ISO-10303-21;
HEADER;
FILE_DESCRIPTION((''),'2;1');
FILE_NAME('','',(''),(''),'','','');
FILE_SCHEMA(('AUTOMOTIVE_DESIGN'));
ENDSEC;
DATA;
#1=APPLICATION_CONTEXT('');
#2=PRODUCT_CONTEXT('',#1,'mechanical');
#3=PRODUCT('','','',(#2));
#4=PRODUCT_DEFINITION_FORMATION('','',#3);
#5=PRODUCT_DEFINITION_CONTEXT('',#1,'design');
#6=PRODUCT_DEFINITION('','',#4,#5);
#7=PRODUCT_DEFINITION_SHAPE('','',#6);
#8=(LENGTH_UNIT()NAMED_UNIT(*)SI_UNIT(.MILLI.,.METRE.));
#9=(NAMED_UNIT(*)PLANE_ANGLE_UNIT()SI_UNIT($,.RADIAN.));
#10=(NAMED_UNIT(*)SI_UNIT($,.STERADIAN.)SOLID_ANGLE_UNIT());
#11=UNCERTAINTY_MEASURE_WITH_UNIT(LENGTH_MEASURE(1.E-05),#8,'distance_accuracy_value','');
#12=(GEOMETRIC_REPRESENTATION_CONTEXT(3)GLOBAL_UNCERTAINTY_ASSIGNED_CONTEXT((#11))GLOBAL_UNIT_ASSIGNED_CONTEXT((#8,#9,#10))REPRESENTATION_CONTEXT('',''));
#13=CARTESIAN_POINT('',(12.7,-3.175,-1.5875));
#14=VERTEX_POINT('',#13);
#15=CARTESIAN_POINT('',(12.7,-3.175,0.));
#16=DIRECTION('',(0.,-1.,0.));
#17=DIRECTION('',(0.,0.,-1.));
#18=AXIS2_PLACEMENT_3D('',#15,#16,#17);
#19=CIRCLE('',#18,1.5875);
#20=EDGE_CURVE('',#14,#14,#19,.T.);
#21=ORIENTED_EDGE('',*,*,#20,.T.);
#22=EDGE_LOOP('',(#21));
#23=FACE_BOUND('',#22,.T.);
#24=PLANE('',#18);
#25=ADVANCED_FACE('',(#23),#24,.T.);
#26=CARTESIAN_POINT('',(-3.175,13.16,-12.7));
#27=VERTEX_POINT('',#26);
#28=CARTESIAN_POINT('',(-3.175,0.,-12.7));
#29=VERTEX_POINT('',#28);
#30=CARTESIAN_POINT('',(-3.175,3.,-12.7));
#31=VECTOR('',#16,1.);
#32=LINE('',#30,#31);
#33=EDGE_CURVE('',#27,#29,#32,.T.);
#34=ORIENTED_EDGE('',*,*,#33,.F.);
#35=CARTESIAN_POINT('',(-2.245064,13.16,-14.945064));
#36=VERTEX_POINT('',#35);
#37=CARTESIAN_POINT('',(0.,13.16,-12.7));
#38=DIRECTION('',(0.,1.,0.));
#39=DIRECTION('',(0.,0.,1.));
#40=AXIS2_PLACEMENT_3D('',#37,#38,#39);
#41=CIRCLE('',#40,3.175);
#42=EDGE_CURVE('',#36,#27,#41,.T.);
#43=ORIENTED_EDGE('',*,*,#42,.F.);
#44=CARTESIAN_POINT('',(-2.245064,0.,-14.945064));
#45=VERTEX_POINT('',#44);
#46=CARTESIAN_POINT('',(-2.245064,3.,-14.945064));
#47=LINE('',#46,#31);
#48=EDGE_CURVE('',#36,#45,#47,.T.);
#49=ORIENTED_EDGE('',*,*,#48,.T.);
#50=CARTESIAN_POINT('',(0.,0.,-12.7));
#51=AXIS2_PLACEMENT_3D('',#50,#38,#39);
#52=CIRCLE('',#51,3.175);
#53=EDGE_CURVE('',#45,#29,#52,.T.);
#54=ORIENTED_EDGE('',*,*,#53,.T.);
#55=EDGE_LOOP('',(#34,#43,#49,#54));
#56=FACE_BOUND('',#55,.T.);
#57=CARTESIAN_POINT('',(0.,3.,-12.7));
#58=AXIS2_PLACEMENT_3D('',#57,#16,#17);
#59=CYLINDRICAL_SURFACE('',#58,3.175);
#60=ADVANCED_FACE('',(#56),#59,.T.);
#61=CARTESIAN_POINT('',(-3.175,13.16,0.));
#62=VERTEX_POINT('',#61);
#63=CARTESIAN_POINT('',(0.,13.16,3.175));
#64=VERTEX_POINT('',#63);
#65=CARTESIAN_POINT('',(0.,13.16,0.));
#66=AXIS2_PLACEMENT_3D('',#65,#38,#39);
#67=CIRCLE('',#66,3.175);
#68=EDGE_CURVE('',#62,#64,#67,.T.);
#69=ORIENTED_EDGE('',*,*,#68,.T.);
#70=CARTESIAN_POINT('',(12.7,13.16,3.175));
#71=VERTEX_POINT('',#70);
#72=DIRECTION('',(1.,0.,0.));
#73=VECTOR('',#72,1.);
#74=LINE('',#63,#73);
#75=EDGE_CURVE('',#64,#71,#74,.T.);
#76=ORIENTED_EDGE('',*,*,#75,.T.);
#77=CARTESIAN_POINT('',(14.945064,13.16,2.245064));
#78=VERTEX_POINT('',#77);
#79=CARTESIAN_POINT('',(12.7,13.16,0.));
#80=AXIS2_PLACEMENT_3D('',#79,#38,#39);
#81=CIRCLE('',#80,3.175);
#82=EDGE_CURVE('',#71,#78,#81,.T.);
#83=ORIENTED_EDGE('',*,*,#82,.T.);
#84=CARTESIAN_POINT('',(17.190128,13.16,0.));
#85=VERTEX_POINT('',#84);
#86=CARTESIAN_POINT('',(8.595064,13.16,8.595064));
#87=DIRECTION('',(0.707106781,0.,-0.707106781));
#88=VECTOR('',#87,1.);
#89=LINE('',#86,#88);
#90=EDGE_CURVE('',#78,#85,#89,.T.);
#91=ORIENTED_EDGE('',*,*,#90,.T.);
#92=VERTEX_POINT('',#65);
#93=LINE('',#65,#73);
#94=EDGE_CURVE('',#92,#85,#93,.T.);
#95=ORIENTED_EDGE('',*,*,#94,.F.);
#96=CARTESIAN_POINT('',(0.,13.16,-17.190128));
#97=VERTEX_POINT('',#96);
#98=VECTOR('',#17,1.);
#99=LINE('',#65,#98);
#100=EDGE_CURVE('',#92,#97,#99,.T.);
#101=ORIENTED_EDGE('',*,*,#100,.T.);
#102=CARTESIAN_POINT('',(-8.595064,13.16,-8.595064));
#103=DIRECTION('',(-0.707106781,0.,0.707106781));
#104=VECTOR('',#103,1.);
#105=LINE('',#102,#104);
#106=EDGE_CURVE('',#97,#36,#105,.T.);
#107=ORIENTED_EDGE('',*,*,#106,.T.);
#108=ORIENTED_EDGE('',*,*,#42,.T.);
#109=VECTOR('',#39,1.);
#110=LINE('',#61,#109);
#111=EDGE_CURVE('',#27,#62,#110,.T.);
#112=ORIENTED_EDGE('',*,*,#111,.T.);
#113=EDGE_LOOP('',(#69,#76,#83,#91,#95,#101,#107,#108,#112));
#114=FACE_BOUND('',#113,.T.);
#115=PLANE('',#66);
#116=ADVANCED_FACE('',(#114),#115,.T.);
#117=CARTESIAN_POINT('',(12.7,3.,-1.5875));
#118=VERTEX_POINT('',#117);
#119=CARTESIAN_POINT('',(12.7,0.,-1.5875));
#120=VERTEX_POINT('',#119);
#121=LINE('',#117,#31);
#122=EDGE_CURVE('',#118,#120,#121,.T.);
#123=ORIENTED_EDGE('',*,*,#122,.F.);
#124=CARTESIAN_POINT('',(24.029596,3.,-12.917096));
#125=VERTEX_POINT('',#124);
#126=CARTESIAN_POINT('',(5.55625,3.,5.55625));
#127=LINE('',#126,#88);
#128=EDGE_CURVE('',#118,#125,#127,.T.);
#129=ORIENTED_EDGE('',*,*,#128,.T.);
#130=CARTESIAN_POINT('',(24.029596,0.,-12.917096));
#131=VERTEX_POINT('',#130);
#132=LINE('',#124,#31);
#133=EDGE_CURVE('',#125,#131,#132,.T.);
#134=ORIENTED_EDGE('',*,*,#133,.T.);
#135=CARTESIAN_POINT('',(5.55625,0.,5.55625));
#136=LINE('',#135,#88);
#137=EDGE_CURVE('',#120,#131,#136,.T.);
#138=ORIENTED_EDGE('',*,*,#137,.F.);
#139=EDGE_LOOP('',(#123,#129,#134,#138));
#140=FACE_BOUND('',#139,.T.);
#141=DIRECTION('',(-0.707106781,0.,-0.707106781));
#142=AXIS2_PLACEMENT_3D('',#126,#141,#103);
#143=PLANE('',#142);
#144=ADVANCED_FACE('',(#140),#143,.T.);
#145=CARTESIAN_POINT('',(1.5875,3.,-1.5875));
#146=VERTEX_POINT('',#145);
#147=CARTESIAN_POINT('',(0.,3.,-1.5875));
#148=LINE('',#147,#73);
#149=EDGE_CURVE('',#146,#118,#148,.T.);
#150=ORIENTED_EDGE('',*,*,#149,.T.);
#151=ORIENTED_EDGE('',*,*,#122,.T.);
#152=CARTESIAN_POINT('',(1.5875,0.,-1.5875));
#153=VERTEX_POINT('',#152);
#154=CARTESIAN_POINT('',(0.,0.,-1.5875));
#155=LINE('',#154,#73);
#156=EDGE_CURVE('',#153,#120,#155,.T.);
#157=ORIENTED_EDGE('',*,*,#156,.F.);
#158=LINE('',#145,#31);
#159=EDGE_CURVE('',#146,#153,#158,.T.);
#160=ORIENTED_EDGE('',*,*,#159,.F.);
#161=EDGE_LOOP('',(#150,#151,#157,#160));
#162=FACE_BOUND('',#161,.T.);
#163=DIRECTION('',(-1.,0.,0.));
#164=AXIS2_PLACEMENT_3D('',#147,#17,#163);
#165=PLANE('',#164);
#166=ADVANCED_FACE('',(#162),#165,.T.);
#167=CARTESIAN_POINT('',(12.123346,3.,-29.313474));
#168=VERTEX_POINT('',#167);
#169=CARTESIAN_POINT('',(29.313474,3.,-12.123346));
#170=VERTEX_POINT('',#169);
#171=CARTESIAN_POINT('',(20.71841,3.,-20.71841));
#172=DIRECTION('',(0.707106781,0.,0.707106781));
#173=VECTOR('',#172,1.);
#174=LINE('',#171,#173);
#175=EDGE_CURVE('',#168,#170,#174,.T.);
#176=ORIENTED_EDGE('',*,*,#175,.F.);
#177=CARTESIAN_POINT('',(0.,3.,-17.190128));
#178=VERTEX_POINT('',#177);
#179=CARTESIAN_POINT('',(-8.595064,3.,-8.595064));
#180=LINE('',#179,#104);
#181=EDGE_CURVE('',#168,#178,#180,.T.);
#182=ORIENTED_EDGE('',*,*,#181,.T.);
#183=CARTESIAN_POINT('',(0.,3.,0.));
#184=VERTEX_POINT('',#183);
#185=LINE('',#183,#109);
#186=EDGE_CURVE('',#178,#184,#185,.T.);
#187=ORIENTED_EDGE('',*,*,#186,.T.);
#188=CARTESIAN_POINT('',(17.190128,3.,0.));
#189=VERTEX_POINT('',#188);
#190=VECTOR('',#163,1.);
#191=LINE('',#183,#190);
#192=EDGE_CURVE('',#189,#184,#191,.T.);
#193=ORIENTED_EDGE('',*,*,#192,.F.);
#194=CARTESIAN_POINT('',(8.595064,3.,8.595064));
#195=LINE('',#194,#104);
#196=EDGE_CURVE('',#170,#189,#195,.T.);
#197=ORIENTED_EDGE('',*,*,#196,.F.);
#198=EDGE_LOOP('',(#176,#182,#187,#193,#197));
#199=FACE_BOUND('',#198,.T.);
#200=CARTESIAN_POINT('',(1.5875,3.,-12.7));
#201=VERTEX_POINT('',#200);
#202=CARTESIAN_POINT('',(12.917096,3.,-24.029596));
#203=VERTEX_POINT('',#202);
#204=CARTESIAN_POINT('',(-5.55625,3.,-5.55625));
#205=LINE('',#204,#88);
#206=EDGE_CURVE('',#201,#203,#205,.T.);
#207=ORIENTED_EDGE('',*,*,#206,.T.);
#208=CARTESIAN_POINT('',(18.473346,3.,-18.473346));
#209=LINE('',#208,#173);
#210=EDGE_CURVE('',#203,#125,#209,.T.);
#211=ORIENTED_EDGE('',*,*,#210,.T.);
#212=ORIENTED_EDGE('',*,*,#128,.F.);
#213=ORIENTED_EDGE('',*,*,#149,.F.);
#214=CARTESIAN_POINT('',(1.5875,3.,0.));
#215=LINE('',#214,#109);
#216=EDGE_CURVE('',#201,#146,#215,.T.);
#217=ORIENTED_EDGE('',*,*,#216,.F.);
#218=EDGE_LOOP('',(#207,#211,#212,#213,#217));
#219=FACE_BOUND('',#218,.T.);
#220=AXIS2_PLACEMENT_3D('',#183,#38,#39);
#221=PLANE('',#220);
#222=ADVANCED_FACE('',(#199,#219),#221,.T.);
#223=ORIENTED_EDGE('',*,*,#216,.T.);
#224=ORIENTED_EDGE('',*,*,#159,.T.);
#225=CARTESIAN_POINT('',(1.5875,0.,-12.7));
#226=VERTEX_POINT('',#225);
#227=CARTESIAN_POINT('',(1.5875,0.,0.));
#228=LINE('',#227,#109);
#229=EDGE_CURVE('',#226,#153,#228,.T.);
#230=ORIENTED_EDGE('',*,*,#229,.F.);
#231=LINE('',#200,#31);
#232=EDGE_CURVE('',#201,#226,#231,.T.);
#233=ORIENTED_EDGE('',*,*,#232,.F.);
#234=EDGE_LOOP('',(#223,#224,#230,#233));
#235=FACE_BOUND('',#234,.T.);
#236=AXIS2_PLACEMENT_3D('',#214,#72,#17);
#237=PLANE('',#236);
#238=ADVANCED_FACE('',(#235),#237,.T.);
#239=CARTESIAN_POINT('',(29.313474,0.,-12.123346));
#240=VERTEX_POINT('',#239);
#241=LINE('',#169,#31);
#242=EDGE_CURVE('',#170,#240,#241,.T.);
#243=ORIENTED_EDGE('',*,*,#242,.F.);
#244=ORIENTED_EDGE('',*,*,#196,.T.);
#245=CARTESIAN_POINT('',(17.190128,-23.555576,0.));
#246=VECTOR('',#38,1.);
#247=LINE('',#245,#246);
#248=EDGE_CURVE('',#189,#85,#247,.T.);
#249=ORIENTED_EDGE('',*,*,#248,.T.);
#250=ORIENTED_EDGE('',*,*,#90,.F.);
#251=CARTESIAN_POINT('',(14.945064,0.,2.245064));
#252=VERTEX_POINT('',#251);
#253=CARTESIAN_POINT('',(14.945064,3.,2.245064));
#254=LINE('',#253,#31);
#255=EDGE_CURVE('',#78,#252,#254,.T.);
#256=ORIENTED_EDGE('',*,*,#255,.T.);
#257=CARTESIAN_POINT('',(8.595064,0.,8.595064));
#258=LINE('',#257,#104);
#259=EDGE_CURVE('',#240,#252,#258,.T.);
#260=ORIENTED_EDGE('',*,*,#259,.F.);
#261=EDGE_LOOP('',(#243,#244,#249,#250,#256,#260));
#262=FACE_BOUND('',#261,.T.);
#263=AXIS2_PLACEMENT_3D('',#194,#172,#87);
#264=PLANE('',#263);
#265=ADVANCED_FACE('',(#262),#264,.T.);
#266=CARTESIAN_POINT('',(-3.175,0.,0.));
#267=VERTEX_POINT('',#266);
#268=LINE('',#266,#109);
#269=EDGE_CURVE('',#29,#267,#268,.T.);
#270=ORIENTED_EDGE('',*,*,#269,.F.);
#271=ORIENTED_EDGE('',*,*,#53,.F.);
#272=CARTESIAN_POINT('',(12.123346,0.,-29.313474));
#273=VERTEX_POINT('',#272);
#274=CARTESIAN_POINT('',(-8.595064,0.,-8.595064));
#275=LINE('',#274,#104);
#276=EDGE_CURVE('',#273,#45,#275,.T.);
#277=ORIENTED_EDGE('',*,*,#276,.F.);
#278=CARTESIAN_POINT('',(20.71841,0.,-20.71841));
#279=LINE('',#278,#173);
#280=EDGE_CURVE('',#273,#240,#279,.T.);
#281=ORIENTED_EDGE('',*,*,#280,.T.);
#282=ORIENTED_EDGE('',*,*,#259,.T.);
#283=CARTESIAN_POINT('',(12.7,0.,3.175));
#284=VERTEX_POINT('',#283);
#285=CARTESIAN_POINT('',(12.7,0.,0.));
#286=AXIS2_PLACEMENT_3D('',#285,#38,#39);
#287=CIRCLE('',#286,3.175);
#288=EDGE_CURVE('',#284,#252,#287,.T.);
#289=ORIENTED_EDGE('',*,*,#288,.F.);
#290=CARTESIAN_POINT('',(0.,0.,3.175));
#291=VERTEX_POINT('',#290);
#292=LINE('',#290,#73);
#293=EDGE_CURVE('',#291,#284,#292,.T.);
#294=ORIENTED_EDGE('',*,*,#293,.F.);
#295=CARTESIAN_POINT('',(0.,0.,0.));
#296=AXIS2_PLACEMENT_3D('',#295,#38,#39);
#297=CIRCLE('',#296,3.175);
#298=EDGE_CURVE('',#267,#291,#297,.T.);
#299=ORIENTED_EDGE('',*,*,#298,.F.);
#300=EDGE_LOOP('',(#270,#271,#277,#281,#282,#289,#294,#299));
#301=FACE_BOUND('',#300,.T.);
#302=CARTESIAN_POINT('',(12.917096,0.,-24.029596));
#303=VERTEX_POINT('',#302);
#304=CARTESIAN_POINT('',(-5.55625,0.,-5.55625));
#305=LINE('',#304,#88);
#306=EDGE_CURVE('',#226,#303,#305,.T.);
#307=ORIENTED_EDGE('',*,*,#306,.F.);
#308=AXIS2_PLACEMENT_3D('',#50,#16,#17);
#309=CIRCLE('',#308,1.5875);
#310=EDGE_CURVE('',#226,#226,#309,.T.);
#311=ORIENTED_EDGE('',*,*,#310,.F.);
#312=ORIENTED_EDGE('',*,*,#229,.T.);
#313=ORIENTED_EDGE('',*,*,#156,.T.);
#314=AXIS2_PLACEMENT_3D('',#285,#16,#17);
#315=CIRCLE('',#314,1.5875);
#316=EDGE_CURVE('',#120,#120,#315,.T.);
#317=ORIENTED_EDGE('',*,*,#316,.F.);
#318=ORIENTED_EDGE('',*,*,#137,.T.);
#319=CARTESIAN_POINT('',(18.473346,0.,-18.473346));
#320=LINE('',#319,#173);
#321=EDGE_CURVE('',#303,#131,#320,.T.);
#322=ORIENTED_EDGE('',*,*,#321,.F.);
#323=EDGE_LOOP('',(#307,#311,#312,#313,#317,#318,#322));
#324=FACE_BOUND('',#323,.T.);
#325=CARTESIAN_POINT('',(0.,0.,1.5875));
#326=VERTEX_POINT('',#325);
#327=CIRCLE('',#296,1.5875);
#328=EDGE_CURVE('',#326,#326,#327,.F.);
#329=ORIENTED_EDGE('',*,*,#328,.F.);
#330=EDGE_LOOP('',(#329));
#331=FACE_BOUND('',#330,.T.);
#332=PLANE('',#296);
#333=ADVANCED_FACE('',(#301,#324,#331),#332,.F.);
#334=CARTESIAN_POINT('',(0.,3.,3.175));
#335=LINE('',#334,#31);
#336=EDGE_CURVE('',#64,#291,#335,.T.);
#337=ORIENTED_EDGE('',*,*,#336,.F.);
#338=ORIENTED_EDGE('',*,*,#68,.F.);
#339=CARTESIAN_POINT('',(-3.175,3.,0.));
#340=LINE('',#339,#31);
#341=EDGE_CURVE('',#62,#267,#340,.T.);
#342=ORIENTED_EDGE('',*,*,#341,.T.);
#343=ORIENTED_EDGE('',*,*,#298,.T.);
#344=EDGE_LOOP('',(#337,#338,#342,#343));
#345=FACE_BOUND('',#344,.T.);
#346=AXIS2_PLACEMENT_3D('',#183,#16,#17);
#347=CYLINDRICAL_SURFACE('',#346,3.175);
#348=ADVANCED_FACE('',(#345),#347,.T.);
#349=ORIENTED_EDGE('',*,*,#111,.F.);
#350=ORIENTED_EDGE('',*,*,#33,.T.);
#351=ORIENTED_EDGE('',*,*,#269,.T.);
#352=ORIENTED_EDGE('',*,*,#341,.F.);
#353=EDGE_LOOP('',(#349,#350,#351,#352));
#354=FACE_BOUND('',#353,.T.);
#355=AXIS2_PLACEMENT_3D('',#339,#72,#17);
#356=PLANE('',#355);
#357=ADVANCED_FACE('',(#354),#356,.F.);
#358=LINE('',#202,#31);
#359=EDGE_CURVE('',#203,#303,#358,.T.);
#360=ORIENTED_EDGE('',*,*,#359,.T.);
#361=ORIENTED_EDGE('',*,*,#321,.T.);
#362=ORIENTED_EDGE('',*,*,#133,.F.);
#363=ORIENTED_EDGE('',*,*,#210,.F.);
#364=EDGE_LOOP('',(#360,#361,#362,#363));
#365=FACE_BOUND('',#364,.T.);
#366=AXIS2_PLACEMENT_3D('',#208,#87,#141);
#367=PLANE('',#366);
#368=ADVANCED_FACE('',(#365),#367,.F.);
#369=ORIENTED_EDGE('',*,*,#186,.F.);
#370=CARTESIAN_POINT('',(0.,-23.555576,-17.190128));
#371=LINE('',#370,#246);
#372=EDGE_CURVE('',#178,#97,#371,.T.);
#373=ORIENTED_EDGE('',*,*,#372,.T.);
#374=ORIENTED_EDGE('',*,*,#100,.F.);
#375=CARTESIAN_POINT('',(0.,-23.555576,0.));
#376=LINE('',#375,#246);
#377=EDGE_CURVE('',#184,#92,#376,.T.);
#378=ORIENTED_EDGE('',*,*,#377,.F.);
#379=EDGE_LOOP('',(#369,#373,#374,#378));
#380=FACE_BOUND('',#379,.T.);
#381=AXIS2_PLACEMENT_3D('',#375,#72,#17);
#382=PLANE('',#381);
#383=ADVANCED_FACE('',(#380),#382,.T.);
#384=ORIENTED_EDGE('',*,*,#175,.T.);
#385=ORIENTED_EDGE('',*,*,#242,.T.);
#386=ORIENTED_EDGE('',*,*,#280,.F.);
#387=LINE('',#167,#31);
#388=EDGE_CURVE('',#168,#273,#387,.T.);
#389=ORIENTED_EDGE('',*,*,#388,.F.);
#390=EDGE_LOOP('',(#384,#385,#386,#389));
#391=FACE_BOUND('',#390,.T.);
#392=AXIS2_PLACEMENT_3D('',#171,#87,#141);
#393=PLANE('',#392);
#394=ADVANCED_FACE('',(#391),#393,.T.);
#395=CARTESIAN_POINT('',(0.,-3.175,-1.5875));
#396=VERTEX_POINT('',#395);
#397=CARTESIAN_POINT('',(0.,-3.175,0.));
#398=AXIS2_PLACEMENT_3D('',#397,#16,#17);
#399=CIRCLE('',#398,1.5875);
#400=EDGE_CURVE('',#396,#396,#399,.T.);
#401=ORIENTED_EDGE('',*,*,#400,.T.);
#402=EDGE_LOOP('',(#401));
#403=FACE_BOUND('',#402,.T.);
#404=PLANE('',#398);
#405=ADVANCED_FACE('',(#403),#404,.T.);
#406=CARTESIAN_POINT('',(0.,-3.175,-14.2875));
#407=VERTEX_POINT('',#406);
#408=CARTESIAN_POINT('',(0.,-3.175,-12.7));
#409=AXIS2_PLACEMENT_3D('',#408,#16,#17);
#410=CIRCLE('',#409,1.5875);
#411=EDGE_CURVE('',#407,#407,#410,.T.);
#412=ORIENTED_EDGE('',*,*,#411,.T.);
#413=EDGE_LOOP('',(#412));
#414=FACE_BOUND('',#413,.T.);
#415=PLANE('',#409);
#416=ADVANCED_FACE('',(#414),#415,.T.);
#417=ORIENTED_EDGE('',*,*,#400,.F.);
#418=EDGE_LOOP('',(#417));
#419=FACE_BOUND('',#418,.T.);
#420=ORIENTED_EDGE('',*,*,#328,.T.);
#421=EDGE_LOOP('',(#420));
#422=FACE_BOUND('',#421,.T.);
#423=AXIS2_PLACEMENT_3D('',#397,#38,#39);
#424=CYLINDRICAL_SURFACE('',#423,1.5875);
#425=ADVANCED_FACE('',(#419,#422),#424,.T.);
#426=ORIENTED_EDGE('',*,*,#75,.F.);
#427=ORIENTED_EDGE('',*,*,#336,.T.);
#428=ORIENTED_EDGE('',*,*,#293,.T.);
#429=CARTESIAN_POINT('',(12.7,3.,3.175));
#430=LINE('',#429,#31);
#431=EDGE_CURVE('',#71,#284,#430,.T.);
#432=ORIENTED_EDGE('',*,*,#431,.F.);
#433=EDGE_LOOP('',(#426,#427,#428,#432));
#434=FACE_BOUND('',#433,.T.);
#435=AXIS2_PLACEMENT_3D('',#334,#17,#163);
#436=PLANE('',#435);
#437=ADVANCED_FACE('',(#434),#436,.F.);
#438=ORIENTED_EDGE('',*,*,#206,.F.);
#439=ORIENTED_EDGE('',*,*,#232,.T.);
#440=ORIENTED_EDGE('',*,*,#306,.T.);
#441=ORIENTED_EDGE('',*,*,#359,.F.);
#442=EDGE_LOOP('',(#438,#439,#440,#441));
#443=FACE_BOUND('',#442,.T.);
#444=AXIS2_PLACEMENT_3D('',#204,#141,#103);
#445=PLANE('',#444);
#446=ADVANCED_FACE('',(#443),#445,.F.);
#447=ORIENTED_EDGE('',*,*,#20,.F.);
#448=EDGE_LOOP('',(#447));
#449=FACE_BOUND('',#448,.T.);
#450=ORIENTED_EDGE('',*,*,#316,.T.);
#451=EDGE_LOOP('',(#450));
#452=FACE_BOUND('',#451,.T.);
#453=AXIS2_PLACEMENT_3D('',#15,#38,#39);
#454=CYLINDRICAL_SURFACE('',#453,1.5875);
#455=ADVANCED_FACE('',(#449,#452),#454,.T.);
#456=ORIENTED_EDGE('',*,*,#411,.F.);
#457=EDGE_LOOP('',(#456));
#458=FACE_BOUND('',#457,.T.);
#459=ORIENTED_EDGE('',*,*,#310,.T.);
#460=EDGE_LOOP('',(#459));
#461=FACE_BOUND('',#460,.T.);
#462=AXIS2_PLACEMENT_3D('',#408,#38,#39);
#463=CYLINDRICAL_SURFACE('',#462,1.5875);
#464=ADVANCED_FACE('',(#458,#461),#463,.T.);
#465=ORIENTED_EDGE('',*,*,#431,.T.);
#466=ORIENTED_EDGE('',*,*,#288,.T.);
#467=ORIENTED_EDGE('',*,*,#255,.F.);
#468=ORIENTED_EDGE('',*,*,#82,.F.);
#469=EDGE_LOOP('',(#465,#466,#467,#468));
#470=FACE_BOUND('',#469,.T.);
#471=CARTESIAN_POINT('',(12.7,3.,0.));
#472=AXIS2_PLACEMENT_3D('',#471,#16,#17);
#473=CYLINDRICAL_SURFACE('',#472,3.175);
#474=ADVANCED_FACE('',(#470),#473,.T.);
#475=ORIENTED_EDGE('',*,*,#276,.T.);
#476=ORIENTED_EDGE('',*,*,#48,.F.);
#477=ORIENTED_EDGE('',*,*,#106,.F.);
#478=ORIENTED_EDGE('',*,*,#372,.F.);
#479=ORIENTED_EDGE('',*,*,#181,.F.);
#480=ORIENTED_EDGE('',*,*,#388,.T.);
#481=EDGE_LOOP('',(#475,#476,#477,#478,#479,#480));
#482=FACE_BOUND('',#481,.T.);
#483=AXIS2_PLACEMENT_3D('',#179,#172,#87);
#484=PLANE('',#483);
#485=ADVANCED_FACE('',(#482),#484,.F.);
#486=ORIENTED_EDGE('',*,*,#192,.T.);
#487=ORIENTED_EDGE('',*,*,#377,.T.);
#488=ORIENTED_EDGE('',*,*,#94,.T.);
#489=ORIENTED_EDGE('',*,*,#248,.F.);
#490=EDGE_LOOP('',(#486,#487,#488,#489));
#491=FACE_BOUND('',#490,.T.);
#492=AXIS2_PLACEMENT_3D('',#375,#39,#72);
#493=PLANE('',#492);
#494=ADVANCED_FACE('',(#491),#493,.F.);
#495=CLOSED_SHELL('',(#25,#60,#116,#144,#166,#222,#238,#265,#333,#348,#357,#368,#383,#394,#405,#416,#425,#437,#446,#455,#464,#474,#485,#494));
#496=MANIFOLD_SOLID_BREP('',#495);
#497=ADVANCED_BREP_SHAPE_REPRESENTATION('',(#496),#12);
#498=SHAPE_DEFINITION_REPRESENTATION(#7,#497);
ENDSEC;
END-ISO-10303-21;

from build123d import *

# Parameters (mm, degrees)
BOSS_EXTRUDE1_DEPTH = 3
SKETCH5_R           = 1.5875
BOSS_EXTRUDE4_DEPTH = 3.175
BOSS_EXTRUDE5_DEPTH = 10.16
CUT_EXTRUDE1_DEPTH  = 10.16


with BuildPart() as part:
    # Sketch2 → Boss-Extrude1 (new body)
    with BuildSketch(Plane(origin=(0, 0, 0), x_dir=(1, 0, 0), z_dir=(0, 1, 0))):
        with BuildLine():
            Line((0, -3.175), (12.7, -3.175))
            ThreePointArc((12.7, -3.175), (13.915019898, -2.933317516), (14.94506403, -2.24506403))
            Line((14.94506403, -2.24506403), (29.313473824, 12.123345763))
            Line((29.313473824, 12.123345763), (12.123345763, 29.313473824))
            Line((12.123345763, 29.313473824), (-2.24506403, 14.94506403))
            ThreePointArc((-2.24506403, 14.94506403), (-2.933317516, 13.915019898), (-3.175, 12.7))
            Line((-3.175, 12.7), (-3.175, 0))
            ThreePointArc((-3.175, 0), (-2.24506403, -2.24506403), (0, -3.175))
        make_face()
        Polygon((24.029595763, 12.917095763), (12.7, 1.5875), (1.5875, 1.5875), (1.5875, 12.7), (12.917095763, 24.029595763), align=None, mode=Mode.SUBTRACT)
    extrude(amount=BOSS_EXTRUDE1_DEPTH)

    # Sketch5 → Boss-Extrude4 (add)
    with BuildSketch(Plane.XZ):
        with Locations(Location((0, 0, 0), (0, 0, 90))):
            Circle(SKETCH5_R)
        with Locations(Location((12.7, 0, 0), (0, 0, 270))):
            Circle(SKETCH5_R)
        with Locations((0, -12.7)):
            Circle(SKETCH5_R)
    extrude(amount=BOSS_EXTRUDE4_DEPTH)

    # Sketch6 → Boss-Extrude5 (add)
    with BuildSketch(Plane(origin=(0, 3, 0), x_dir=(1, 0, 0), z_dir=(0, 1, 0))):
        with BuildLine():
            Line((12.7, 1.5875), (1.5875, 1.5875))
            Line((1.5875, 1.5875), (1.5875, 12.7))
            Line((1.5875, 12.7), (1.5875, 18.777628061))
            Line((1.5875, 18.777628061), (-2.24506403, 14.94506403))
            ThreePointArc((-2.24506403, 14.94506403), (-2.933317516, 13.915019898), (-3.175, 12.7))
            Line((-3.175, 12.7), (-3.175, 0))
            ThreePointArc((-3.175, 0), (-2.24506403, -2.24506403), (0, -3.175))
            Line((0, -3.175), (12.7, -3.175))
            ThreePointArc((12.7, -3.175), (13.915019898, -2.933317516), (14.94506403, -2.24506403))
            Line((14.94506403, -2.24506403), (18.777628061, 1.5875))
            Line((18.777628061, 1.5875), (12.7, 1.5875))
        make_face()
    extrude(amount=BOSS_EXTRUDE5_DEPTH)

    # Sketch7 → Cut-Extrude1 (cut)
    with BuildSketch(Plane(origin=(0, 13.16, 0), x_dir=(1, 0, 0), z_dir=(0, 1, 0))):
        Polygon((1.5875, 1.5875), (1.5875, 18.777628061), (0, 17.190128061), (0, 0), (17.190128061, 0), (18.777628061, 1.5875), align=None)
    extrude(amount=-CUT_EXTRUDE1_DEPTH, mode=Mode.SUBTRACT)


solid = part.part
